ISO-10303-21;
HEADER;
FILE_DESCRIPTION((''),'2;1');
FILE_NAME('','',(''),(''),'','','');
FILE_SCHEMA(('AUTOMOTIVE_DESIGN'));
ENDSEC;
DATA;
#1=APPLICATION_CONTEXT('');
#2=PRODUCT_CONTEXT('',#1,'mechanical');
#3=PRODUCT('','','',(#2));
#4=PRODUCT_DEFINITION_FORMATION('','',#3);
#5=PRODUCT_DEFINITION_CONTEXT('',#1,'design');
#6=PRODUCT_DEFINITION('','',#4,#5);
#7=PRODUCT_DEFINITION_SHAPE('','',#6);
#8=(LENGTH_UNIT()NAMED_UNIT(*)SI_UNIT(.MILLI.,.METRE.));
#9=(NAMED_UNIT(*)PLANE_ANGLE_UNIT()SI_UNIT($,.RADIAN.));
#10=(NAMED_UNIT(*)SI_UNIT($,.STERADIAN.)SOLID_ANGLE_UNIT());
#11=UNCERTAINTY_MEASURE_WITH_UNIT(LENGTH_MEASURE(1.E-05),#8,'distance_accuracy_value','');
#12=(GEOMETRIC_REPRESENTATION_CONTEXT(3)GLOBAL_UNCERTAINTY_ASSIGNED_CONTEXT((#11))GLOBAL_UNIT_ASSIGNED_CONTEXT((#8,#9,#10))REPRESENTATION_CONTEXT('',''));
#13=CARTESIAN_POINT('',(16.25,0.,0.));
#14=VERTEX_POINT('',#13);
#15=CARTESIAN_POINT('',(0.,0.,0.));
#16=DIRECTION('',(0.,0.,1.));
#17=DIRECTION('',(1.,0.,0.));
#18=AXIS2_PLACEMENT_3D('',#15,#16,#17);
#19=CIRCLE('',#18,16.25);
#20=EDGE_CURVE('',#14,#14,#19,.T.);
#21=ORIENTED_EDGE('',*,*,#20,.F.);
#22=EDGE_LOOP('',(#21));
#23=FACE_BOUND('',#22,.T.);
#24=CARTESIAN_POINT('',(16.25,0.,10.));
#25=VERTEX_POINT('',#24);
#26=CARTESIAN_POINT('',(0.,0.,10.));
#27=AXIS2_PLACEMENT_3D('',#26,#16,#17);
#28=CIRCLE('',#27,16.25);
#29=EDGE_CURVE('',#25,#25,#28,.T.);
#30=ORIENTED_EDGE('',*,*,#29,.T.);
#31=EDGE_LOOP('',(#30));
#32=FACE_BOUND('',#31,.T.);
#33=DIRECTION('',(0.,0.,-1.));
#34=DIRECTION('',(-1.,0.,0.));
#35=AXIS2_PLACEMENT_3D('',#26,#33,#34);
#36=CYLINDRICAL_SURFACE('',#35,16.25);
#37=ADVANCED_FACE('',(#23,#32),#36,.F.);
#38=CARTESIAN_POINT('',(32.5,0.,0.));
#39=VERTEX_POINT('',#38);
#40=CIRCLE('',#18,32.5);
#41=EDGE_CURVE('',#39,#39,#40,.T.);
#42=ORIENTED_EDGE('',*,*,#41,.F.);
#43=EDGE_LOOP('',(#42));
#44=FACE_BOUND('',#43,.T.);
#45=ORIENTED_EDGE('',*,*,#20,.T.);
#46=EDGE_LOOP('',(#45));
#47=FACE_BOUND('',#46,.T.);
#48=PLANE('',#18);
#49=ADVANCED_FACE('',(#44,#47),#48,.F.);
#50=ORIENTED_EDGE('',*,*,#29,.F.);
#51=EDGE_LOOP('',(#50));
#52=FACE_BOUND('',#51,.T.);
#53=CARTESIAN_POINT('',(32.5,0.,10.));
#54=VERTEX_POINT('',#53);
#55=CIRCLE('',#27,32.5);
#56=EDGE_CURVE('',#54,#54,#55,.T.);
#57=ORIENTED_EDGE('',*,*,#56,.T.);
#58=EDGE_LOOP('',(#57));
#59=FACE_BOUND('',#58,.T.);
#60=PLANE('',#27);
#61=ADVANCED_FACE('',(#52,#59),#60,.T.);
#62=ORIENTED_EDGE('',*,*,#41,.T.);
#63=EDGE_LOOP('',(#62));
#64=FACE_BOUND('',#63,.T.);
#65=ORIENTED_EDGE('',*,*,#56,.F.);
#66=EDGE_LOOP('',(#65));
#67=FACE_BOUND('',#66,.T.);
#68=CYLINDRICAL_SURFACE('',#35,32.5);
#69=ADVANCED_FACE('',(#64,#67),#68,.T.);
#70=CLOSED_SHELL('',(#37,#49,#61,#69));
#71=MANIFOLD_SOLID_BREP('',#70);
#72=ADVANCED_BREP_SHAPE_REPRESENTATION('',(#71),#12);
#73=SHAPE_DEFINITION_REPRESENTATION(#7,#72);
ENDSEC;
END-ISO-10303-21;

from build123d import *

# Parameters (mm, degrees)
SKETCH_1_R      = 32.5
SKETCH_1_R_2    = 16.25
EXTRUDE_1_DEPTH = 10


with BuildPart() as part:
    # Эскиз1 → Бобышка-Вытянуть1 (new body)
    with BuildSketch(Plane.XY):
        Circle(SKETCH_1_R)
        Circle(SKETCH_1_R_2, mode=Mode.SUBTRACT)
    extrude(amount=EXTRUDE_1_DEPTH)


solid = part.part
